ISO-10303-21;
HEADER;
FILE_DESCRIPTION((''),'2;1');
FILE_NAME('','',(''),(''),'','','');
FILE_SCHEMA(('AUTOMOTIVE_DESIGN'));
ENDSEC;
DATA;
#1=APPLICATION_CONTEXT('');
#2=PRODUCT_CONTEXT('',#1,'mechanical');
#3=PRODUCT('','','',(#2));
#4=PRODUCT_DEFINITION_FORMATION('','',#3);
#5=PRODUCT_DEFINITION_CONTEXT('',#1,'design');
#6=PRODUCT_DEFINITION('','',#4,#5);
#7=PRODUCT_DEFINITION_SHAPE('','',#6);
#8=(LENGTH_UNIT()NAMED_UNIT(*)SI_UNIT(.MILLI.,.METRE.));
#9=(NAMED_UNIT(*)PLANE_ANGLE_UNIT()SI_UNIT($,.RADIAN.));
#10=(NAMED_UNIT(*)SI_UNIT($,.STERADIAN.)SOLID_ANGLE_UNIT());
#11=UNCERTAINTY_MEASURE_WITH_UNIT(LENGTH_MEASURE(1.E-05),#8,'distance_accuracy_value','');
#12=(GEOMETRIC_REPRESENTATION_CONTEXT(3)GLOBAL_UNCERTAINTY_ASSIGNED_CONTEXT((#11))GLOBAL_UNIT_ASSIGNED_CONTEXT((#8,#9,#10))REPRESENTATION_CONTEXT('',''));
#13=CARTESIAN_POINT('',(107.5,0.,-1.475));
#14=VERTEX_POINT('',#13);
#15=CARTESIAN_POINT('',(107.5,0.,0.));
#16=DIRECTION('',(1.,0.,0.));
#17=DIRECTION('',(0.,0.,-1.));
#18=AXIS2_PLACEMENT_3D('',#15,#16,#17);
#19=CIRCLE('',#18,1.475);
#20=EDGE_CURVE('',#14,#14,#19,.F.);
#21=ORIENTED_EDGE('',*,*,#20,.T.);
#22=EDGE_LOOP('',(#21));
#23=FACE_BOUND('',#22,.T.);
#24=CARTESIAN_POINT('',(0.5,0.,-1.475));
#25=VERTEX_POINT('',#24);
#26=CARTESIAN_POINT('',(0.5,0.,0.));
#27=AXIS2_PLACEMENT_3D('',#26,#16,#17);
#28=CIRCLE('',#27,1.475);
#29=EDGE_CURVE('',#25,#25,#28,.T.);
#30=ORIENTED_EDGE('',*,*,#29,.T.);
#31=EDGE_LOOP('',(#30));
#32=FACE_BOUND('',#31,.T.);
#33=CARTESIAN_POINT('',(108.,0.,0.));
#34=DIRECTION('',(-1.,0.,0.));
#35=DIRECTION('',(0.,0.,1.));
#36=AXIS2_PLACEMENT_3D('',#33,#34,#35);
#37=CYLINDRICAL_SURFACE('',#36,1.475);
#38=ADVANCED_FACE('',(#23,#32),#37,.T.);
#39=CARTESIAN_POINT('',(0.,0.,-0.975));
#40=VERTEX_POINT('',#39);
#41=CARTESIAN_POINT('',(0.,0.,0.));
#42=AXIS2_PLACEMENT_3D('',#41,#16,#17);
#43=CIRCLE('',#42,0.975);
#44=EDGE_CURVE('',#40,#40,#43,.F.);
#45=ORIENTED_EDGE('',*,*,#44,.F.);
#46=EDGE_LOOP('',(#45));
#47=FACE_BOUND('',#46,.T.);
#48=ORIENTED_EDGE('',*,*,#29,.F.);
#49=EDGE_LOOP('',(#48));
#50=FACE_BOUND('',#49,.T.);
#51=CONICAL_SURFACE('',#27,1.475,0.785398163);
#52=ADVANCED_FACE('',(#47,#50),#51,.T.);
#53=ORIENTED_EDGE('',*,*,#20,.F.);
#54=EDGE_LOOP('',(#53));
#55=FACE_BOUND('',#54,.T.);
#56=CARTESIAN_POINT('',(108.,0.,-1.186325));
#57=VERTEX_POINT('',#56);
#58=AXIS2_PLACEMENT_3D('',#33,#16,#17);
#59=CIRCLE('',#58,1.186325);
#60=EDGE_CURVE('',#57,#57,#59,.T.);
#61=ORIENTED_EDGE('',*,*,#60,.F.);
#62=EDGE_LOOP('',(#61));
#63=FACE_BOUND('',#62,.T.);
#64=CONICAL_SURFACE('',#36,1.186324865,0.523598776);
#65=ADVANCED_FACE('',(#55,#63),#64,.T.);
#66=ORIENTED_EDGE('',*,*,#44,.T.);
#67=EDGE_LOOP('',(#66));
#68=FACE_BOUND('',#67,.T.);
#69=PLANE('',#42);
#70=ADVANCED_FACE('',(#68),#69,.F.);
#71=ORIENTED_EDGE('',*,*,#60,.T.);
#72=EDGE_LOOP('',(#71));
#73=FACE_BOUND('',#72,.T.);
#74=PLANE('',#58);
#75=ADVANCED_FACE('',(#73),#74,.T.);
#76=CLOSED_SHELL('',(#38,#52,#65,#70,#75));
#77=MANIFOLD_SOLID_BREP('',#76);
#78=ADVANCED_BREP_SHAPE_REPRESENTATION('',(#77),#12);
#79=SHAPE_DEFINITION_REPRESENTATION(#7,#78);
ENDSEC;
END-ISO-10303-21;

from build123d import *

# Parameters (mm, degrees)
CROQUIS1_R              = 1.475
SALIENTE_EXTRUIR1_DEPTH = 108
CHAFL_N1_SIZE           = 0.5
CHAFL_N1_SIZE2          = 0.288675135
CHAFL_N2_SIZE           = 0.5


with BuildPart() as part:
    # Croquis1 → Saliente-Extruir1 (new body)
    with BuildSketch(Plane(origin=(0, 0, 0), x_dir=(0, 0, -1), z_dir=(1, 0, 0))):
        Circle(CROQUIS1_R)
    extrude(amount=SALIENTE_EXTRUIR1_DEPTH)

    # Chaflán1
    chafl_n1_edges = [part.edges().sort_by_distance(p)[0] for p in [
        (108, 0, 1.475),
    ]]
    chafl_n1_side = [part.faces().sort_by_distance(p)[0] for p in [
        (54, 0, 1.475),
    ]]
    chamfer(chafl_n1_edges, length=CHAFL_N1_SIZE, length2=CHAFL_N1_SIZE2, reference=chafl_n1_side[0])

    # Chaflán2
    chafl_n2_edges = [part.edges().sort_by_distance(p)[0] for p in [
        (0, 0, 1.475),
    ]]
    chamfer(chafl_n2_edges, length=CHAFL_N2_SIZE)


solid = part.part
